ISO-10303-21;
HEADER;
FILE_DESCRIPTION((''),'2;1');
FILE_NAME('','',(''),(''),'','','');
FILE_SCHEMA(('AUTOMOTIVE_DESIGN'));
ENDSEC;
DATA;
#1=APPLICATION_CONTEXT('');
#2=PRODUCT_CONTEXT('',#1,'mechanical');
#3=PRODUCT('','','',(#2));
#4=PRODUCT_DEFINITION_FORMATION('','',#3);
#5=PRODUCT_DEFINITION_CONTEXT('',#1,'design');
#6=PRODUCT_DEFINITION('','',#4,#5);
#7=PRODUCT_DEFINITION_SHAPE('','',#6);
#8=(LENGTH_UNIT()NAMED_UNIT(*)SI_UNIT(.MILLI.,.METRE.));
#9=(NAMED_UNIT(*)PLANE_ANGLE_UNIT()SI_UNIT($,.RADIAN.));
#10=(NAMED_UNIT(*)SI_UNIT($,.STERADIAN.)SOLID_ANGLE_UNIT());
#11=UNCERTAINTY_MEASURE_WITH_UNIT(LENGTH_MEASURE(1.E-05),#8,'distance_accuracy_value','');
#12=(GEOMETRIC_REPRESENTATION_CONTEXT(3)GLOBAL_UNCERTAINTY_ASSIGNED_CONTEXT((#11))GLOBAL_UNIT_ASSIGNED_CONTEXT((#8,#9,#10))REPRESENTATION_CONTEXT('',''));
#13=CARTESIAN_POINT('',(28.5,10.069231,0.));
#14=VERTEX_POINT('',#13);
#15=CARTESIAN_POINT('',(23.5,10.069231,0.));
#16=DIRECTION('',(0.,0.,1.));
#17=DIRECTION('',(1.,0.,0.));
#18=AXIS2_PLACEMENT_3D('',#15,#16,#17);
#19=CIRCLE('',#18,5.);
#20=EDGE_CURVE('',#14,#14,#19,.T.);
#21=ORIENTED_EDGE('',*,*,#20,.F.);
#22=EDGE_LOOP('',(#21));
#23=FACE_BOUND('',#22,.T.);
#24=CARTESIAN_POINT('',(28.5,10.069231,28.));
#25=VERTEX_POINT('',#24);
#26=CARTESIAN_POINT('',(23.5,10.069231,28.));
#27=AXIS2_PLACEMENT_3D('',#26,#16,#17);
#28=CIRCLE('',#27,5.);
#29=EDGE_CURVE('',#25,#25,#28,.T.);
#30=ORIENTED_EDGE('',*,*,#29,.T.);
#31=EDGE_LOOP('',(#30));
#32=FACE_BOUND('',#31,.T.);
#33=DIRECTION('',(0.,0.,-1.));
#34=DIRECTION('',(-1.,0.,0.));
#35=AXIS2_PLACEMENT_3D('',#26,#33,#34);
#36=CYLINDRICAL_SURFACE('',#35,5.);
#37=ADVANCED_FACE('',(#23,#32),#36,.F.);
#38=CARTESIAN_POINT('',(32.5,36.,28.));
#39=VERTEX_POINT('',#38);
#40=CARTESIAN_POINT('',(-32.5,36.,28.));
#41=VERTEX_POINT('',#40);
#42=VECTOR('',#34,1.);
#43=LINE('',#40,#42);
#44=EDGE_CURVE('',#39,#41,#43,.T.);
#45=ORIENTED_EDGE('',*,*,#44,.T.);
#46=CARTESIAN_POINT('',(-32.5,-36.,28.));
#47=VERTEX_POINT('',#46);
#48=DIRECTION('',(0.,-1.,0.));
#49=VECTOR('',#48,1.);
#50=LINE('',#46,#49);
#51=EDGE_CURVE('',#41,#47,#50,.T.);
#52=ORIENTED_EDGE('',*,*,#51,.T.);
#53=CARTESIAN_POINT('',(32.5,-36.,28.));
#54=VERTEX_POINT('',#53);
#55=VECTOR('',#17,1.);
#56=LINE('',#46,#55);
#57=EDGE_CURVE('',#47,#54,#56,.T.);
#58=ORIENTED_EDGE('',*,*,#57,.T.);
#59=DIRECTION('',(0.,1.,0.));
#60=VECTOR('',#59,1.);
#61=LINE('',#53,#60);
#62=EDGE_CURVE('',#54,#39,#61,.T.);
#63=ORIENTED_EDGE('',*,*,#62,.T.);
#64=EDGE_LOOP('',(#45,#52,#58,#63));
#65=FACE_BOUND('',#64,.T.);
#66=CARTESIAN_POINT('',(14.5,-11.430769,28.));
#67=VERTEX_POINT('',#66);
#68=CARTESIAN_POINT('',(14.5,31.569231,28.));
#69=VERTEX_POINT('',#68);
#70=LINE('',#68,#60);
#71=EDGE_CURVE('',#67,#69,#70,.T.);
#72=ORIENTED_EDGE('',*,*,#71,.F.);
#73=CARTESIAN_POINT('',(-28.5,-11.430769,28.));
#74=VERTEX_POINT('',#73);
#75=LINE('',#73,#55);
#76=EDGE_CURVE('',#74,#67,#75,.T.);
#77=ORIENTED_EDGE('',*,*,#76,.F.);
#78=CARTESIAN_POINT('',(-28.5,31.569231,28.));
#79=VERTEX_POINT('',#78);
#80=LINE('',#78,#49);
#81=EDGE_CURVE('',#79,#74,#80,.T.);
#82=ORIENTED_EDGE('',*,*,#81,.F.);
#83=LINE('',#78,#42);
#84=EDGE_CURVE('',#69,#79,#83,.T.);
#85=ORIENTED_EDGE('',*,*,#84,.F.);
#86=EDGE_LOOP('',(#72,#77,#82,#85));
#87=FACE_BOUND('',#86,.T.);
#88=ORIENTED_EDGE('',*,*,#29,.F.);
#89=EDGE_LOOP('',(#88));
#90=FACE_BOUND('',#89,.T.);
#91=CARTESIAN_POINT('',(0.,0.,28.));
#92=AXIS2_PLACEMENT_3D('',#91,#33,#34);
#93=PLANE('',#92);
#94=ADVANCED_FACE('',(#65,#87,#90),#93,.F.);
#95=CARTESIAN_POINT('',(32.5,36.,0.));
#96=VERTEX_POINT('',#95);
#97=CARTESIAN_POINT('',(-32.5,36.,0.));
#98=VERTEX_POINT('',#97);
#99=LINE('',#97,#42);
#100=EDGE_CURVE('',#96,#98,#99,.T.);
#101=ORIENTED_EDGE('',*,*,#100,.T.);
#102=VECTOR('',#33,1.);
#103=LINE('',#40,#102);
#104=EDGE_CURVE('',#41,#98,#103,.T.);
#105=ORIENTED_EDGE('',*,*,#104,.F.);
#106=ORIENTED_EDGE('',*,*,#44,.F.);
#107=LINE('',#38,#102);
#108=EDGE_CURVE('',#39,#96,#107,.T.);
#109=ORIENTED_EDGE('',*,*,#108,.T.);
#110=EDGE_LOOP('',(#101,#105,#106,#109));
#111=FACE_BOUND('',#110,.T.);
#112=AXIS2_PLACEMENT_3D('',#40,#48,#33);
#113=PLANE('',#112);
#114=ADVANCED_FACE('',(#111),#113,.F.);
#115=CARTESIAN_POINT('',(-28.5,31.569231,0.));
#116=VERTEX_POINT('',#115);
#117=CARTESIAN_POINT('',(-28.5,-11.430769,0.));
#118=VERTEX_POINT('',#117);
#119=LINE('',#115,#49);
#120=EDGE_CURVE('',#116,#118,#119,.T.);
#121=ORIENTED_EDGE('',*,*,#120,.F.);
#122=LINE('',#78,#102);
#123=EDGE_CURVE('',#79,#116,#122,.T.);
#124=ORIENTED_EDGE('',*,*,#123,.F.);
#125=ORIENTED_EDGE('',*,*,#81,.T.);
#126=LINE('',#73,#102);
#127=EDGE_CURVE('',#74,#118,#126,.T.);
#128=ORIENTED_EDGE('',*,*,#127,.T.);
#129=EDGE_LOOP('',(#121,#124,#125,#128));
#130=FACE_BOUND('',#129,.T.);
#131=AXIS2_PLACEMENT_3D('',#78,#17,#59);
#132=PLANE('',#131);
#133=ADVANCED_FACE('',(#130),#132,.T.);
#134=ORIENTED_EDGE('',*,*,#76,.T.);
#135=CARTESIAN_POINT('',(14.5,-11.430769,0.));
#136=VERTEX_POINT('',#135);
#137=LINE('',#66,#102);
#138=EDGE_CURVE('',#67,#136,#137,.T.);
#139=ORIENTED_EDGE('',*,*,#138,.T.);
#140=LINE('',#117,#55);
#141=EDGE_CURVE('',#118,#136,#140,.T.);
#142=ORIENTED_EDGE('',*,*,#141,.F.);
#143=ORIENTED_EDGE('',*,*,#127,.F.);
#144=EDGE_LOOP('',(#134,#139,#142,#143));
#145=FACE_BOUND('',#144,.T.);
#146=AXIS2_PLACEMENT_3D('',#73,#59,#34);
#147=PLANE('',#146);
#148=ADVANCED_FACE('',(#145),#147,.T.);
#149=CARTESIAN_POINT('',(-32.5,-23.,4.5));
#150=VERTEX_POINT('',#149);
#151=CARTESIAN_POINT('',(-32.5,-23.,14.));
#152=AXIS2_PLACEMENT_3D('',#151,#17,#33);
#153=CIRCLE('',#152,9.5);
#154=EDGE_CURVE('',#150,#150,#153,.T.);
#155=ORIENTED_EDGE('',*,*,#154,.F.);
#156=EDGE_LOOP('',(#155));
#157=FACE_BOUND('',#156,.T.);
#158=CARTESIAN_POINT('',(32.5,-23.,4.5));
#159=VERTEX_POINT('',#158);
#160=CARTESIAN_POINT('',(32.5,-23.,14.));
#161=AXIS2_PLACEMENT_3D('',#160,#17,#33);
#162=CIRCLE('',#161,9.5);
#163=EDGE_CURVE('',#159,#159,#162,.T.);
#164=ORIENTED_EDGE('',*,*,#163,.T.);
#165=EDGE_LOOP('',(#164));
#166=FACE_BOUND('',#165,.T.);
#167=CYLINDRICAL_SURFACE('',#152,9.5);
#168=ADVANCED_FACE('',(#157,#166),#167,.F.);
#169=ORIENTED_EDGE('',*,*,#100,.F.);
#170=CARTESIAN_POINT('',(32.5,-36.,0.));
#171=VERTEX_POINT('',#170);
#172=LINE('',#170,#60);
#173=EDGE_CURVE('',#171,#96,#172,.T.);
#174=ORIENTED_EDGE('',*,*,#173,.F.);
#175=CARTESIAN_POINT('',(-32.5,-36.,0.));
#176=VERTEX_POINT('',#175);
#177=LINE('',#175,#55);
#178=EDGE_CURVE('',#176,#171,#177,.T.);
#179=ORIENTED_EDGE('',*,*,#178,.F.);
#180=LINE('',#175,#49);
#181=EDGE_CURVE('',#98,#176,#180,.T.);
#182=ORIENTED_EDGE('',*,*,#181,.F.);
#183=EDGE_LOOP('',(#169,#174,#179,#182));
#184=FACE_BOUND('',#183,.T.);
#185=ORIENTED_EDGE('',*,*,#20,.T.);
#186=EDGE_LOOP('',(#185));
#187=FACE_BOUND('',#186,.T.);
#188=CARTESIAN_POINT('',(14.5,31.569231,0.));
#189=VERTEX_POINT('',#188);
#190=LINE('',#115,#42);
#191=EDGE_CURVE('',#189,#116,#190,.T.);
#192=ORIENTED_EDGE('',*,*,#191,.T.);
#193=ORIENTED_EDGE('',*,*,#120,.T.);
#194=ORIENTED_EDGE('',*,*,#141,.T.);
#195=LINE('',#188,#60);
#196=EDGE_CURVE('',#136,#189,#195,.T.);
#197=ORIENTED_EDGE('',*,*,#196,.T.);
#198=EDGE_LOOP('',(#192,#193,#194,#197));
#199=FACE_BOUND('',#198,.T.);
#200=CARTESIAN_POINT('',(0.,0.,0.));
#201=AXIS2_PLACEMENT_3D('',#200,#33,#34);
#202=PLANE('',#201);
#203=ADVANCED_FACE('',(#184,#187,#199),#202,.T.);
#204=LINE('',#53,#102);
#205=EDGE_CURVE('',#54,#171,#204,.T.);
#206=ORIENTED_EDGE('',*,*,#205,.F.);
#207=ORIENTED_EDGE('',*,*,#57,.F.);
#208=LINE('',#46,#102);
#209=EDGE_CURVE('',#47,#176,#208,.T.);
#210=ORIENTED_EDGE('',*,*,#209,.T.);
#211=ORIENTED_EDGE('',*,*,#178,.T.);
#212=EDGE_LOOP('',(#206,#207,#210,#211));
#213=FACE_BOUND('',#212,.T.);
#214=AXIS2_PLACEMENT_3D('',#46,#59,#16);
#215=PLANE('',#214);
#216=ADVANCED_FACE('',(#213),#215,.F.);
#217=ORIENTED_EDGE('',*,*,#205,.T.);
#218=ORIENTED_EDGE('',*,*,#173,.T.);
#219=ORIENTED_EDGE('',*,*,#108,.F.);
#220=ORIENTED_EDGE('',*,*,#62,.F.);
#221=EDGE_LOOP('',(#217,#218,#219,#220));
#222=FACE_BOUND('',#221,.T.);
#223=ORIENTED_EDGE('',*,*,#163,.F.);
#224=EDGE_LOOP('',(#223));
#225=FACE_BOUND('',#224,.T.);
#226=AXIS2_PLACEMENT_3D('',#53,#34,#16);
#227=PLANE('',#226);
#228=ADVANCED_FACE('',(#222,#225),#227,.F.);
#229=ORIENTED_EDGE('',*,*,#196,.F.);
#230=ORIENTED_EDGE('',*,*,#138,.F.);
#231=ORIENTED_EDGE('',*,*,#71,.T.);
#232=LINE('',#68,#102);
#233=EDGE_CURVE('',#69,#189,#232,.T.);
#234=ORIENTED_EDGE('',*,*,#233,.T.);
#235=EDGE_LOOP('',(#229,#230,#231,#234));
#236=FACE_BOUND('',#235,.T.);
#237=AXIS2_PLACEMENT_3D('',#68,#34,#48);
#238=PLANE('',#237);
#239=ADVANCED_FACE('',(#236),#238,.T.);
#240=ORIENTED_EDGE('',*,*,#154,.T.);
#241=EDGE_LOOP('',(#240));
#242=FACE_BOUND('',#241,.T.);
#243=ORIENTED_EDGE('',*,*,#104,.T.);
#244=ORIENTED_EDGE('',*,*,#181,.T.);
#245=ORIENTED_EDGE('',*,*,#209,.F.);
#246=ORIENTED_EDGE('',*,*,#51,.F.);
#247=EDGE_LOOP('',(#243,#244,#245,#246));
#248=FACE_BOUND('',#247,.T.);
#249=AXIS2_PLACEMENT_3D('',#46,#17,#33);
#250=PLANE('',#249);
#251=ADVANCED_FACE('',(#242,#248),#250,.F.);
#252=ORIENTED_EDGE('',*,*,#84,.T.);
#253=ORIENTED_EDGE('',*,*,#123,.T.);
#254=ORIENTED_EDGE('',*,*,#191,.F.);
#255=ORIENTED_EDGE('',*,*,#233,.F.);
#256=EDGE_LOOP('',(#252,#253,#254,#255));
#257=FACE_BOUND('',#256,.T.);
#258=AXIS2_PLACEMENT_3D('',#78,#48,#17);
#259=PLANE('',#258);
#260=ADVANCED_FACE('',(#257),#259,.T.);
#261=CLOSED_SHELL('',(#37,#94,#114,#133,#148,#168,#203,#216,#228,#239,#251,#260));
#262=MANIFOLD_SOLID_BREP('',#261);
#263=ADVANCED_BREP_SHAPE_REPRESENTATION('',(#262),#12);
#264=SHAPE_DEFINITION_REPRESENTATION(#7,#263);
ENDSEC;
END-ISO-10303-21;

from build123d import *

# Parameters (mm, degrees)
SKETCH1_W           = 65
SKETCH1_H           = 72
SKETCH1_R           = 5
SKETCH1_W_2         = 43
SKETCH1_H_2         = 43
BOSS_EXTRUDE1_DEPTH = 28
SKETCH2_R           = 9.5
CUT_EXTRUDE1_DEPTH  = 80.404030124


with BuildPart() as part:
    # Sketch1 → Boss-Extrude1 (new body)
    with BuildSketch(Plane.XY):
        Rectangle(SKETCH1_W, SKETCH1_H)
        with Locations((23.5, 10.069230769)):
            Circle(SKETCH1_R, mode=Mode.SUBTRACT)
        with Locations((-7, 10.069230769)):
            Rectangle(SKETCH1_W_2, SKETCH1_H_2, mode=Mode.SUBTRACT)
    extrude(amount=BOSS_EXTRUDE1_DEPTH)

    # Sketch2 → Cut-Extrude1 (cut, through all)
    with BuildSketch(Plane(origin=(32.5, 0, 0), x_dir=(0, 0, -1), z_dir=(1, 0, 0))):
        with Locations((-14, -23)):
            Circle(SKETCH2_R)
    extrude(amount=-CUT_EXTRUDE1_DEPTH, mode=Mode.SUBTRACT)


solid = part.part
